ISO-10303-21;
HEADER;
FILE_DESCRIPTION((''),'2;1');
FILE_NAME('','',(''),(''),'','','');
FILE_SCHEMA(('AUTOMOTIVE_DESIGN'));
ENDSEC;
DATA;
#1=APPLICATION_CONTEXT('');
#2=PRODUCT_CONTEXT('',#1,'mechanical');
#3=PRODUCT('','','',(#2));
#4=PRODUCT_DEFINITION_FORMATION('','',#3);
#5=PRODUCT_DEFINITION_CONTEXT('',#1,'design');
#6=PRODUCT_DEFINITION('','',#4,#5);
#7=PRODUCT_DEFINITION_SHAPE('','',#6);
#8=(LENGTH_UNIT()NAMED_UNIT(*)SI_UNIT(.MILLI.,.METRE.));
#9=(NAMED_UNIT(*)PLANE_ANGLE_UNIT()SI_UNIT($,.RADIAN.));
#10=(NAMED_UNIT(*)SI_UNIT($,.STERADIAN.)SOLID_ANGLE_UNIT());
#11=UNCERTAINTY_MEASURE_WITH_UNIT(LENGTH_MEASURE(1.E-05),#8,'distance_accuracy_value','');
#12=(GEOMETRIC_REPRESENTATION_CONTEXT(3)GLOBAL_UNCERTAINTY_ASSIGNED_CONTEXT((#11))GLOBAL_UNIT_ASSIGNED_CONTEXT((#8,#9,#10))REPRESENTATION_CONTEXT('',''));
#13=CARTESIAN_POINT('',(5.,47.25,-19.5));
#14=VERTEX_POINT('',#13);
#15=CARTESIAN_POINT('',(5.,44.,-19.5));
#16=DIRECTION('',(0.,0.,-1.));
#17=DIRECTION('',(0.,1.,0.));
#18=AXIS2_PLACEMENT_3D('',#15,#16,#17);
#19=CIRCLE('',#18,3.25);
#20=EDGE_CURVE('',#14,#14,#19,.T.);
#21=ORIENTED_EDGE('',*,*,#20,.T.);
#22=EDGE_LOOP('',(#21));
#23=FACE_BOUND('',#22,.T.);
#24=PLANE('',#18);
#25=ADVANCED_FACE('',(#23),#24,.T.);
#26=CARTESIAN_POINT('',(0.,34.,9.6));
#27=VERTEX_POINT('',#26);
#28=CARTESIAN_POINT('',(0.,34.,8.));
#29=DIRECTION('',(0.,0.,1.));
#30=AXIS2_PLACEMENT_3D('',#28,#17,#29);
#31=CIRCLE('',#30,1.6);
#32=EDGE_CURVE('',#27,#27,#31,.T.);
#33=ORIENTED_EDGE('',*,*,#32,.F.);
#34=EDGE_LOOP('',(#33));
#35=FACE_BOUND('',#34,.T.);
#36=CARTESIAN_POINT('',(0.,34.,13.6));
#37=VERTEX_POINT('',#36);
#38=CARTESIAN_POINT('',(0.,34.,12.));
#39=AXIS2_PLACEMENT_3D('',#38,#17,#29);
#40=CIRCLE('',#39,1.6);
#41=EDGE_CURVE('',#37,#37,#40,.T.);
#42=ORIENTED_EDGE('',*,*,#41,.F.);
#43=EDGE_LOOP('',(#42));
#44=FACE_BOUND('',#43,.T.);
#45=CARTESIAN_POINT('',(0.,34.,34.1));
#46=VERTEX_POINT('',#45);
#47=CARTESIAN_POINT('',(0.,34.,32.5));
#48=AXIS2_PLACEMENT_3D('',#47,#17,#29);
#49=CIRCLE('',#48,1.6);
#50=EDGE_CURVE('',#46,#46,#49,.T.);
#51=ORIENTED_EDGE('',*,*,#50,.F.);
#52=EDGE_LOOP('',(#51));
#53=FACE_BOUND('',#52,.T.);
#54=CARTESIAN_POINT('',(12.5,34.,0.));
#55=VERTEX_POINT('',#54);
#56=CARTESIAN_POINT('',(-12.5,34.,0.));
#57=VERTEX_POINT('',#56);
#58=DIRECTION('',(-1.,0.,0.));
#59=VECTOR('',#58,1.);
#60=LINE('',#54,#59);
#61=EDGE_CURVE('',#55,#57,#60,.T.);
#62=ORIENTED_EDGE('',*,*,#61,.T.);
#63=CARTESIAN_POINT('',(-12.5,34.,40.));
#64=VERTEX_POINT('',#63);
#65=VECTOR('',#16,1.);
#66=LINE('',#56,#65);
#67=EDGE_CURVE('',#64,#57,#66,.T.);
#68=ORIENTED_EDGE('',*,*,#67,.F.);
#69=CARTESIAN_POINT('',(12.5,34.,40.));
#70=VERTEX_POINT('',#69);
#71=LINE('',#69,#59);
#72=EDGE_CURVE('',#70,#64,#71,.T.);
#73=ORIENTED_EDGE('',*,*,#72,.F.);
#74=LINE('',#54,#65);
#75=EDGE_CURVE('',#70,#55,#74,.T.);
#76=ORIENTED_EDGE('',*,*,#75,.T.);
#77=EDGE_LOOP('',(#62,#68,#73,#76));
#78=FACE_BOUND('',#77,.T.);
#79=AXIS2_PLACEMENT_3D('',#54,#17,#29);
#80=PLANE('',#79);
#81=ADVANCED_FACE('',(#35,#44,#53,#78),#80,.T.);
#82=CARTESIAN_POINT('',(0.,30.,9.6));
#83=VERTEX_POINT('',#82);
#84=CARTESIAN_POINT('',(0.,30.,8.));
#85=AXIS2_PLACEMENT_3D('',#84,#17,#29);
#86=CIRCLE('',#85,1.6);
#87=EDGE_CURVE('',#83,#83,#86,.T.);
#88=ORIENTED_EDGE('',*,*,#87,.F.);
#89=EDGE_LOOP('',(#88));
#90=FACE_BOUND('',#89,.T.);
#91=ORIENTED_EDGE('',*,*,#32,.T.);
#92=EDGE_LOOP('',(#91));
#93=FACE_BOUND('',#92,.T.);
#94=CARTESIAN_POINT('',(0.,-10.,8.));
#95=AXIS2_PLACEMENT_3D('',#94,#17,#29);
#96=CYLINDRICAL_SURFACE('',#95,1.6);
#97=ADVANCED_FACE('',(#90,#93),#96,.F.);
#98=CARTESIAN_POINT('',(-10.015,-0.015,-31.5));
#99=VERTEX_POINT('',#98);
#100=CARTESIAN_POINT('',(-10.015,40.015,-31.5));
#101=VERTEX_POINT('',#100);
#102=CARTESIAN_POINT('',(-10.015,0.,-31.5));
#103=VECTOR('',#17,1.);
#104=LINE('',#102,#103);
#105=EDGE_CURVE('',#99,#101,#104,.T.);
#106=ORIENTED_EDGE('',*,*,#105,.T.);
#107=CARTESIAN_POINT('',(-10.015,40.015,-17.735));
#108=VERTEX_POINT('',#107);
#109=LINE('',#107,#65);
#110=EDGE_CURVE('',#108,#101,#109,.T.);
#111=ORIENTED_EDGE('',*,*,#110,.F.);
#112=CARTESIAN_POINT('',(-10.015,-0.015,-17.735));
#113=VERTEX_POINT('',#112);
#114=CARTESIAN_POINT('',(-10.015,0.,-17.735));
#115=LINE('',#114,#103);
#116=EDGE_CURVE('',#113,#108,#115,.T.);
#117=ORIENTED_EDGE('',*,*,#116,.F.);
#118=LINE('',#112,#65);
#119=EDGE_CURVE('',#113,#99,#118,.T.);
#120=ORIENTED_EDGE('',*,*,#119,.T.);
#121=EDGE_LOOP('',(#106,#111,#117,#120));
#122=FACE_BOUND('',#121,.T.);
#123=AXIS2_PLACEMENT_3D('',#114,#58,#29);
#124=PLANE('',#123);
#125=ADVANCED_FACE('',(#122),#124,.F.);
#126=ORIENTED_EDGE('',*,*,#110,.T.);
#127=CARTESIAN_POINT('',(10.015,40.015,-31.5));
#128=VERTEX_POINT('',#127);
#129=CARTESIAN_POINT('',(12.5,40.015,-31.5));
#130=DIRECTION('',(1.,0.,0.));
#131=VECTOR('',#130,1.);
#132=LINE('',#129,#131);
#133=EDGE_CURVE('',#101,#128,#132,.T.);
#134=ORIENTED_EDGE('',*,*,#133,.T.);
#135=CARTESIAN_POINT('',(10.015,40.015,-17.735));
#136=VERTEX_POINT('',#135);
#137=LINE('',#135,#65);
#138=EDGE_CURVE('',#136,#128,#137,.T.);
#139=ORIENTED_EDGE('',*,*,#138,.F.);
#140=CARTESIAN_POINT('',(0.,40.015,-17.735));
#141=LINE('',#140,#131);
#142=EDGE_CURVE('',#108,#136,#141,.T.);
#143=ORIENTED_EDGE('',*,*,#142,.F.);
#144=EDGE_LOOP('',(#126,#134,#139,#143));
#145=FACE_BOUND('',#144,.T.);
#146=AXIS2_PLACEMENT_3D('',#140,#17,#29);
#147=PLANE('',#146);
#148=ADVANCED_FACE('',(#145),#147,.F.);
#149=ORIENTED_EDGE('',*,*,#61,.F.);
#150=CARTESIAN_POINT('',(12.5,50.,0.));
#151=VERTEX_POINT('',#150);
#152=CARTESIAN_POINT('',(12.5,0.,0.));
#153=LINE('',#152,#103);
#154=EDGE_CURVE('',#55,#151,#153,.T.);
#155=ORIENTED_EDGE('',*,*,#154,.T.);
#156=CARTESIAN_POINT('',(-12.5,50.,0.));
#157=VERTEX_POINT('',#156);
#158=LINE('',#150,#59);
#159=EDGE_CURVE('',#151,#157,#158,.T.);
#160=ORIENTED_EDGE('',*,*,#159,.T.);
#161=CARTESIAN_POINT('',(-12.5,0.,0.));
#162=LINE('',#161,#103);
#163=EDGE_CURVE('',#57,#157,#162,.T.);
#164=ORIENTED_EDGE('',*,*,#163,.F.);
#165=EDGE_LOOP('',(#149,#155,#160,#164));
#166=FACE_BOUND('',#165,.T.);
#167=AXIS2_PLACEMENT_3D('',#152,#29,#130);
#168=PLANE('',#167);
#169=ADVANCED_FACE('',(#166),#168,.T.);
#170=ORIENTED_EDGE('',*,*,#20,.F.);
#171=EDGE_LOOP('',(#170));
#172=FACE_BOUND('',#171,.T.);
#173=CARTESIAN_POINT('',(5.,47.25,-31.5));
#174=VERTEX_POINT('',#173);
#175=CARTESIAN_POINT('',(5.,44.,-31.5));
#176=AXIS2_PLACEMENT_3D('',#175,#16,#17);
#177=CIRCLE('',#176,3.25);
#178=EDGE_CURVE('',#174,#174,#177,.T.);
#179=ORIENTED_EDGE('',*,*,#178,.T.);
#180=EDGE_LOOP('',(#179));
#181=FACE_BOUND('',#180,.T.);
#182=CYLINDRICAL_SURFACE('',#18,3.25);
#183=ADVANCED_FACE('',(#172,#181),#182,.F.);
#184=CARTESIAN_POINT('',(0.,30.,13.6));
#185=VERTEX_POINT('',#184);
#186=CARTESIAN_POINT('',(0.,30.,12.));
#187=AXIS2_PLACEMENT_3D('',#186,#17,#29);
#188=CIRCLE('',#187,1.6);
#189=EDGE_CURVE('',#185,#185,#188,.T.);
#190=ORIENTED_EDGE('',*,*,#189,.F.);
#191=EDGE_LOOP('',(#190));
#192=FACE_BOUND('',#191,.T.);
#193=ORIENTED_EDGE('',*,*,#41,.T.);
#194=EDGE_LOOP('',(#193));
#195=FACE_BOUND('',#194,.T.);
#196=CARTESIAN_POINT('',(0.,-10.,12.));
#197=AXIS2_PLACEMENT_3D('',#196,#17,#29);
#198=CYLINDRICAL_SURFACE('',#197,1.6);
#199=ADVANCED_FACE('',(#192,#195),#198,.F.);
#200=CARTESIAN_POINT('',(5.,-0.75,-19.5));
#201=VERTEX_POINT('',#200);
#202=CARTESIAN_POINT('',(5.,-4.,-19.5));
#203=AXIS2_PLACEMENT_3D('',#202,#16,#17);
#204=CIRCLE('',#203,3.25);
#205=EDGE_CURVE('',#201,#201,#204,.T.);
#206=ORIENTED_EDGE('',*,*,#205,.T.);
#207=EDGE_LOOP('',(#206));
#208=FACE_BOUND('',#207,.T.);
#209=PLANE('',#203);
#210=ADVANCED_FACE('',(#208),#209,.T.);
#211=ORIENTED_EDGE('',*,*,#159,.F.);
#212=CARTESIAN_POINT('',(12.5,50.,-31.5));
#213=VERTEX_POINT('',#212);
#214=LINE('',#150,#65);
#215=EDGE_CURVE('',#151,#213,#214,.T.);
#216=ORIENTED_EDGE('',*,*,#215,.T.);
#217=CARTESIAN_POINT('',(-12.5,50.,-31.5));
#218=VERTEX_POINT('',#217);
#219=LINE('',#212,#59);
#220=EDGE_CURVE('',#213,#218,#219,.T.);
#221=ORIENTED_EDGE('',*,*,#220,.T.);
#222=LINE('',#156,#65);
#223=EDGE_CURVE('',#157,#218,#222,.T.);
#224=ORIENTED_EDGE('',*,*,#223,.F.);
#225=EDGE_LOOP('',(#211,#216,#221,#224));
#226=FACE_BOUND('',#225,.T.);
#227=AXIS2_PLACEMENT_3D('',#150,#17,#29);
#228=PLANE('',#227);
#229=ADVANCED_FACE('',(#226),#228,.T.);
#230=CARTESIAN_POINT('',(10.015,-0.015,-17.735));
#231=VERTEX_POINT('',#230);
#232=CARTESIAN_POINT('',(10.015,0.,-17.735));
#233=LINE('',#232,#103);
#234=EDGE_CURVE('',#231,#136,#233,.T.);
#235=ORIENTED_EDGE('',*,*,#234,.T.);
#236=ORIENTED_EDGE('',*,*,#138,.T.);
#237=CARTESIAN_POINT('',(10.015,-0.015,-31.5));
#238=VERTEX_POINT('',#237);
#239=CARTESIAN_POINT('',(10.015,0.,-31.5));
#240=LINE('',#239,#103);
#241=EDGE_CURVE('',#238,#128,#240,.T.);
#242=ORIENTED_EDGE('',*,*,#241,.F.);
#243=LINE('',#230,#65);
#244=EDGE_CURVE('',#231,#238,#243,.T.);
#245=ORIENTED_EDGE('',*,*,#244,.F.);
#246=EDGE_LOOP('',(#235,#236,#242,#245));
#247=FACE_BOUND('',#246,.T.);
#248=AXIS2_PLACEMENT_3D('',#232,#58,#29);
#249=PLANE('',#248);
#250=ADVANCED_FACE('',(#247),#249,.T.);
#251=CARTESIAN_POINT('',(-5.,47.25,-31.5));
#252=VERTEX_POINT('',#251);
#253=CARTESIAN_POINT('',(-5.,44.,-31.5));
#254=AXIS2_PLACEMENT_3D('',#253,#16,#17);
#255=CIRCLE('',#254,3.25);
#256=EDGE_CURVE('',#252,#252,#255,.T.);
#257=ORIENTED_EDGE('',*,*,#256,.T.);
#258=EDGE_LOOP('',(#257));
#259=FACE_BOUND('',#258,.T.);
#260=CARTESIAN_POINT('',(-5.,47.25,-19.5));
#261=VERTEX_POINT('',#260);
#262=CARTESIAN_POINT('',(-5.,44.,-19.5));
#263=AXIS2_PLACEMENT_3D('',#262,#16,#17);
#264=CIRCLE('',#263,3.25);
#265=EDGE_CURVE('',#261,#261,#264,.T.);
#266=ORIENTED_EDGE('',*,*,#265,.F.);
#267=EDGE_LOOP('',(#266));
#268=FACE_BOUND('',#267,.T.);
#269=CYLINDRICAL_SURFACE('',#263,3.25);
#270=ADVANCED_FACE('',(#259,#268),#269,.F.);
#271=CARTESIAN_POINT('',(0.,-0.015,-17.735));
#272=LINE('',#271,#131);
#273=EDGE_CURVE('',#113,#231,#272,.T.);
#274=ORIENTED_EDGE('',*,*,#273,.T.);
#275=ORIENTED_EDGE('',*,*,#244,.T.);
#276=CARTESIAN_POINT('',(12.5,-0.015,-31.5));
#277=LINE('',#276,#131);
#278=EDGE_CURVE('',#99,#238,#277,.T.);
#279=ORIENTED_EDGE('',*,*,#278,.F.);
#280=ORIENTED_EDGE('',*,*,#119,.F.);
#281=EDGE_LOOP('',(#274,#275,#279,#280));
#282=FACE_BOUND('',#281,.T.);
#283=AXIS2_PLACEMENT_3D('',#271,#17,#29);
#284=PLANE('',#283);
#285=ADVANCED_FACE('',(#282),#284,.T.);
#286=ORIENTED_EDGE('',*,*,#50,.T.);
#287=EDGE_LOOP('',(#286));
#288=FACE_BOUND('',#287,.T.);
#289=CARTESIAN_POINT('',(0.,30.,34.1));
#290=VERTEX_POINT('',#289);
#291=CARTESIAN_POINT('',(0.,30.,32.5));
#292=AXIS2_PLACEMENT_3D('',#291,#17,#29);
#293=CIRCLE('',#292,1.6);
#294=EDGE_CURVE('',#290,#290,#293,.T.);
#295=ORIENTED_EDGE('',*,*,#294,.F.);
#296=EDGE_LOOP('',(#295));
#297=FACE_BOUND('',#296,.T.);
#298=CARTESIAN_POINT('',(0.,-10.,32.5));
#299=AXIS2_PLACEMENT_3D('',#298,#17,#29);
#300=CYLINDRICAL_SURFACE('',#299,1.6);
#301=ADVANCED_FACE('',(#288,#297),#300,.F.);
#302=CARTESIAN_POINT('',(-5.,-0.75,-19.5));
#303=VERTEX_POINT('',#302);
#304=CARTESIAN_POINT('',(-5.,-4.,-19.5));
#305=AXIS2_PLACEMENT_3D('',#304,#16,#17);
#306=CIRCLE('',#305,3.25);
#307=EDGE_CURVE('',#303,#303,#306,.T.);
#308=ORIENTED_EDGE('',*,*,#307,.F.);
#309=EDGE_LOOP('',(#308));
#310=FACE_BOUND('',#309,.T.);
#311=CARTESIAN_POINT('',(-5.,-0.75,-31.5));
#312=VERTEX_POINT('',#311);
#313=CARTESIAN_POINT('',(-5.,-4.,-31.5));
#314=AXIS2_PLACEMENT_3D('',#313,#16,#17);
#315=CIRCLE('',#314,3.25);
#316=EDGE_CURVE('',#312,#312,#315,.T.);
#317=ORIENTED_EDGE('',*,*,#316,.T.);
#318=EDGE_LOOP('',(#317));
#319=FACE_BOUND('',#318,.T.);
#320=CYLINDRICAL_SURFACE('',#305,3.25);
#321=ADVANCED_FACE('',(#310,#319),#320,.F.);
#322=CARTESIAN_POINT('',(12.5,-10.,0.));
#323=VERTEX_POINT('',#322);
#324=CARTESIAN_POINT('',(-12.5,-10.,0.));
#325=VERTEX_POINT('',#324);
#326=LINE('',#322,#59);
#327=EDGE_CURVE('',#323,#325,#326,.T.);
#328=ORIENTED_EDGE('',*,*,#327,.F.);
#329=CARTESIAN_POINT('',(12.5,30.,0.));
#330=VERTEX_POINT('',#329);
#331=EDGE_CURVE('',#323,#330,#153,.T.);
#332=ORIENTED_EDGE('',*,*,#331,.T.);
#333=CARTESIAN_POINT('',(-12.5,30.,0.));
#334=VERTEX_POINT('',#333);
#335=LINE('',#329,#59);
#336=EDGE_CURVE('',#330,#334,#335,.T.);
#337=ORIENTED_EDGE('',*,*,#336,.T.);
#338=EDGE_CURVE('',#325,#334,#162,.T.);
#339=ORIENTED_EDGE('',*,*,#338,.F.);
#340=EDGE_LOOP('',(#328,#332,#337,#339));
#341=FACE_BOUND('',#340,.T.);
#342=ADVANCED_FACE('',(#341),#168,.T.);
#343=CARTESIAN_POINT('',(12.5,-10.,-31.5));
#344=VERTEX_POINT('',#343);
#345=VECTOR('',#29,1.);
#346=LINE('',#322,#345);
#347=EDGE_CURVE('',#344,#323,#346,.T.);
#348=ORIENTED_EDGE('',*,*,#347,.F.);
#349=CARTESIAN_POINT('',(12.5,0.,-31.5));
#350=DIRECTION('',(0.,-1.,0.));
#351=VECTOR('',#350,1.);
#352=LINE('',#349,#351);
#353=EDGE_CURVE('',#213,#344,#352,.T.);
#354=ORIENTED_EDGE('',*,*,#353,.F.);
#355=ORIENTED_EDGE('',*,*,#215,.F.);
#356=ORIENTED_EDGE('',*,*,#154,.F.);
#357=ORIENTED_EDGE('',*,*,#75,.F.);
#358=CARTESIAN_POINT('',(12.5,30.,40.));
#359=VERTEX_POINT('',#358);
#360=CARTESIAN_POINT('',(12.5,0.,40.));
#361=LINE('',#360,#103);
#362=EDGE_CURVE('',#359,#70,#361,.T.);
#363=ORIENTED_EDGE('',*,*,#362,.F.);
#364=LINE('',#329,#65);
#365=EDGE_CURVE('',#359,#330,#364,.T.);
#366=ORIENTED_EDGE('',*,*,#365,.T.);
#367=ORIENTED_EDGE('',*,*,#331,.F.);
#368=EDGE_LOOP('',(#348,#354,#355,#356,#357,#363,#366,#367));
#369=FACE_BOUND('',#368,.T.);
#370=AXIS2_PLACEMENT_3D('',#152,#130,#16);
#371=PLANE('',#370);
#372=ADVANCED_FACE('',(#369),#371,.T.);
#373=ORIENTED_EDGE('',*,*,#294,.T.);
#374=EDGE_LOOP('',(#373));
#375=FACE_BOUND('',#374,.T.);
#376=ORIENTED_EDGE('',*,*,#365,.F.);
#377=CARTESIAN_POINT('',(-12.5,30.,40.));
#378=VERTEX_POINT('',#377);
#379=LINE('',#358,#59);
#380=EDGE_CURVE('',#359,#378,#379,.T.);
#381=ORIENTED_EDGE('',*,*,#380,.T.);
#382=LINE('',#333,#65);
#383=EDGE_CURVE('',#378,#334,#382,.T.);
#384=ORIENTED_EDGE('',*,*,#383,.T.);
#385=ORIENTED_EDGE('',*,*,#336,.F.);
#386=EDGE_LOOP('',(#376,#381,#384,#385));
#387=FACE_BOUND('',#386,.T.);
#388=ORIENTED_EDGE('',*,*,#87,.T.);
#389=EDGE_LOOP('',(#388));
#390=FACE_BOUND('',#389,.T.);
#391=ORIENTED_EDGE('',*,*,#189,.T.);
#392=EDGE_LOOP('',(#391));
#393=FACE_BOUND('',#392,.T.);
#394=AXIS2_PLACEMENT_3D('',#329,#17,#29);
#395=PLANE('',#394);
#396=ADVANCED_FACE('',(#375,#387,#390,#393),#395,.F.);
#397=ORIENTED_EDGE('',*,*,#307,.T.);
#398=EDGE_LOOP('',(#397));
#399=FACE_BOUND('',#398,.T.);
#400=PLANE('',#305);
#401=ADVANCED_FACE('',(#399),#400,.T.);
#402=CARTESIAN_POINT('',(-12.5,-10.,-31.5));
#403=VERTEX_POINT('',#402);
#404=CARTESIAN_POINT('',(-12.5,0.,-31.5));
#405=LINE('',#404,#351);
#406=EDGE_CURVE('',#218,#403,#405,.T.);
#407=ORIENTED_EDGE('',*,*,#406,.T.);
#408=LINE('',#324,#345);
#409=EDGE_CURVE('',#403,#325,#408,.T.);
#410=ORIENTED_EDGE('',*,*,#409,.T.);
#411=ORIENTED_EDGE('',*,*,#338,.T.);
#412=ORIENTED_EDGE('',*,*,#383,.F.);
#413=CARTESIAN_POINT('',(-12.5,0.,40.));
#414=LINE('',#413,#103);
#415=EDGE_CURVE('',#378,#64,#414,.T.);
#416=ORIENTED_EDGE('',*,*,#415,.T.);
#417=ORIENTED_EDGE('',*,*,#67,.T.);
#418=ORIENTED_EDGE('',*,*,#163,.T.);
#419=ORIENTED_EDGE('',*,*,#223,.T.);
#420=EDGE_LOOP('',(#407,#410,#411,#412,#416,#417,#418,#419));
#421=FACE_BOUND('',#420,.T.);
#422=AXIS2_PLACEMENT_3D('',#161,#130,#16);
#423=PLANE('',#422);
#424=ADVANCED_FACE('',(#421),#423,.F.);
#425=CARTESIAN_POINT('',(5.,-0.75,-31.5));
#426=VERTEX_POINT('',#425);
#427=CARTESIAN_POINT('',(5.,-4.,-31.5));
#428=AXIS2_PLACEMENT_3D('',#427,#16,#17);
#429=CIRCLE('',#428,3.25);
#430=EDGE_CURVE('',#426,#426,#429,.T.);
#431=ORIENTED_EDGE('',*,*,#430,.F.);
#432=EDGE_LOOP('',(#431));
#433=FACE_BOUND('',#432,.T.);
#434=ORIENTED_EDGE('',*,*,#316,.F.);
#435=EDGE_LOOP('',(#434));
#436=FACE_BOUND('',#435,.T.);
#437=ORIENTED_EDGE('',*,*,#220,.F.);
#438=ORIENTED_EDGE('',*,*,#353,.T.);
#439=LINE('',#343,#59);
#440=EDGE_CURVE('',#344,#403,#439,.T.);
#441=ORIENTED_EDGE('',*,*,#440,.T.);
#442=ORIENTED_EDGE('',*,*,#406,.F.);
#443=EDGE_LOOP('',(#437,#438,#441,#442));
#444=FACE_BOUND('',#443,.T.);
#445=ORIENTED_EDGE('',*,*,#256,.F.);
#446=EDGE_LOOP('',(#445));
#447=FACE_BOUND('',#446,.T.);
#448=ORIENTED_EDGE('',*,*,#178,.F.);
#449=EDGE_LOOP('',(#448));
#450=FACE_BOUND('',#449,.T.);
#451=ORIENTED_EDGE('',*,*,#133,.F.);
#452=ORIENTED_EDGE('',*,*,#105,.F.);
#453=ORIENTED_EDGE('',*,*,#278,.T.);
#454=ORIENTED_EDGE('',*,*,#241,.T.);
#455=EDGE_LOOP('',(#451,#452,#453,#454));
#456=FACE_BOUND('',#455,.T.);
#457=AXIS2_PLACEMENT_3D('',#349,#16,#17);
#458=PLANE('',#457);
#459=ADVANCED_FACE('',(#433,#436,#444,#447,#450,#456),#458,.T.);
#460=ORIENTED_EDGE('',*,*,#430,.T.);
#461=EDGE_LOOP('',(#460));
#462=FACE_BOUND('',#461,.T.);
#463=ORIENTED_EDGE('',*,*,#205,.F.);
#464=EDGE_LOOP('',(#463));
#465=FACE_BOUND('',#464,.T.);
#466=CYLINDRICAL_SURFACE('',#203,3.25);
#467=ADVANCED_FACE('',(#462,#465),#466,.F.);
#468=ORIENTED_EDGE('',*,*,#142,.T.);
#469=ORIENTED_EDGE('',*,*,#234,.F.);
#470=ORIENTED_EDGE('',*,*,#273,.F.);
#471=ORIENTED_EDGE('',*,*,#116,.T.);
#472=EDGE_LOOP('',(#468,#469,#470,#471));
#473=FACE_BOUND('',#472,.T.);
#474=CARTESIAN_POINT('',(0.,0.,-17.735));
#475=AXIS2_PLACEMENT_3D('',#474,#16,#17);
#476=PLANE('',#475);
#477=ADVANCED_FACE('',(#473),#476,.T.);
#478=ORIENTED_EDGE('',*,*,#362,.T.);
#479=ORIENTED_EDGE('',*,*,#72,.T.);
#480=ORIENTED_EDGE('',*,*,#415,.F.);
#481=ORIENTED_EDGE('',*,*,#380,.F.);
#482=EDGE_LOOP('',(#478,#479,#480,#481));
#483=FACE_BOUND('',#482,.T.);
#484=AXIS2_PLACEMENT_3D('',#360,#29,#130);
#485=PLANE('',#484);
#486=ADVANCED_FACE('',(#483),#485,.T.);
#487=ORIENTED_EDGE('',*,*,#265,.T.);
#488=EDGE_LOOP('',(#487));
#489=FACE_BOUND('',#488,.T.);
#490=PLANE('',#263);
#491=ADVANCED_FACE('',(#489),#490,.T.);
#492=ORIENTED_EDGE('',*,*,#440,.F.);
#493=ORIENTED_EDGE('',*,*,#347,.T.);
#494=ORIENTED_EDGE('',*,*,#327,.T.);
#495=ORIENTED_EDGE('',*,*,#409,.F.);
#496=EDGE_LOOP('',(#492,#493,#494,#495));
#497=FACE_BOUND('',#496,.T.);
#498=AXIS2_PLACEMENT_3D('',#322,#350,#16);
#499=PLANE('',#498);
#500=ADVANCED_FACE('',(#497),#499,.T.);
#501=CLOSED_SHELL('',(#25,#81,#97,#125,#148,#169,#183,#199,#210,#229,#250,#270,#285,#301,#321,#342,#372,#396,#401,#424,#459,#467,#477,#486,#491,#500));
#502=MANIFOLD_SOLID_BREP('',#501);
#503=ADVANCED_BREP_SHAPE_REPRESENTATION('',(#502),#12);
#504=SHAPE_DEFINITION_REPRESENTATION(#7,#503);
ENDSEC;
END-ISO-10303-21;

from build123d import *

# Parameters (mm, degrees)
SKETCH1_W           = 27.5
SKETCH1_H           = 40
BOSS_EXTRUDE1_DEPTH = 12.5
SKETCH2_W           = 5.015
SKETCH2_H           = 40.03
SKETCH2_W_2         = 10
CUT_EXTRUDE1_DEPTH  = 13.765
SKETCH6_R           = 3.25
CUT_EXTRUDE2_DEPTH  = 12
SKETCH7_R           = 1.6
CUT_EXTRUDE3_DEPTH  = 61.763887302


with BuildPart() as part:
    # Sketch1 → Boss-Extrude1 (new, symmetric)
    with BuildSketch(Plane(origin=(0, 0, 0), x_dir=(0, 0, -1), z_dir=(1, 0, 0))):
        with Locations((17.75, 20)):
            Rectangle(SKETCH1_W, SKETCH1_H)
        Polygon((0, -10), (0, 30), (-40, 30), (-40, 34), (0, 34), (0, 50), (31.5, 50), (31.5, 40), (4, 40), (4, 0), (31.5, 0), (31.5, -10), align=None)
    extrude(amount=BOSS_EXTRUDE1_DEPTH, both=True)

    # Sketch2 → Cut-Extrude1 (cut, symmetric)
    with BuildSketch(Plane(origin=(0, 0, -31.5), x_dir=(-1, 0, 0), z_dir=(0, 0, -1))):
        with Locations((7.5075, 20)):
            Rectangle(SKETCH2_W, SKETCH2_H)
        with Locations((0, 20)):
            Rectangle(SKETCH2_W_2, SKETCH2_H)
        with Locations((-7.5075, 20)):
            Rectangle(SKETCH2_W, SKETCH2_H)
    extrude(amount=CUT_EXTRUDE1_DEPTH, both=True, mode=Mode.SUBTRACT)

    # Sketch6 → Cut-Extrude2 (cut)
    with BuildSketch(Plane(origin=(0, 0, -31.5), x_dir=(-1, 0, 0), z_dir=(0, 0, -1))):
        with Locations(Location((-5, 44, 0), (0, 0, 90))):
            Circle(SKETCH6_R)
        with Locations(Location((5, 44, 0), (0, 0, 90))):
            Circle(SKETCH6_R)
        with Locations(Location((5, -4, 0), (0, 0, 90))):
            Circle(SKETCH6_R)
        with Locations(Location((-5, -4, 0), (0, 0, 90))):
            Circle(SKETCH6_R)
    extrude(amount=-CUT_EXTRUDE2_DEPTH, mode=Mode.SUBTRACT)

    # Sketch7 → Cut-Extrude3 (cut, through all)
    with BuildSketch(Plane(origin=(0, 34, 0), x_dir=(1, 0, 0), z_dir=(0, 1, 0))):
        with Locations(Location((0, -32.5, 0), (0, 0, 270))):
            Circle(SKETCH7_R)
        with Locations(Location((0, -12, 0), (0, 0, 270))):
            Circle(SKETCH7_R)
        with Locations(Location((0, -8, 0), (0, 0, 270))):
            Circle(SKETCH7_R)
    extrude(amount=-CUT_EXTRUDE3_DEPTH, mode=Mode.SUBTRACT)


solid = part.part
